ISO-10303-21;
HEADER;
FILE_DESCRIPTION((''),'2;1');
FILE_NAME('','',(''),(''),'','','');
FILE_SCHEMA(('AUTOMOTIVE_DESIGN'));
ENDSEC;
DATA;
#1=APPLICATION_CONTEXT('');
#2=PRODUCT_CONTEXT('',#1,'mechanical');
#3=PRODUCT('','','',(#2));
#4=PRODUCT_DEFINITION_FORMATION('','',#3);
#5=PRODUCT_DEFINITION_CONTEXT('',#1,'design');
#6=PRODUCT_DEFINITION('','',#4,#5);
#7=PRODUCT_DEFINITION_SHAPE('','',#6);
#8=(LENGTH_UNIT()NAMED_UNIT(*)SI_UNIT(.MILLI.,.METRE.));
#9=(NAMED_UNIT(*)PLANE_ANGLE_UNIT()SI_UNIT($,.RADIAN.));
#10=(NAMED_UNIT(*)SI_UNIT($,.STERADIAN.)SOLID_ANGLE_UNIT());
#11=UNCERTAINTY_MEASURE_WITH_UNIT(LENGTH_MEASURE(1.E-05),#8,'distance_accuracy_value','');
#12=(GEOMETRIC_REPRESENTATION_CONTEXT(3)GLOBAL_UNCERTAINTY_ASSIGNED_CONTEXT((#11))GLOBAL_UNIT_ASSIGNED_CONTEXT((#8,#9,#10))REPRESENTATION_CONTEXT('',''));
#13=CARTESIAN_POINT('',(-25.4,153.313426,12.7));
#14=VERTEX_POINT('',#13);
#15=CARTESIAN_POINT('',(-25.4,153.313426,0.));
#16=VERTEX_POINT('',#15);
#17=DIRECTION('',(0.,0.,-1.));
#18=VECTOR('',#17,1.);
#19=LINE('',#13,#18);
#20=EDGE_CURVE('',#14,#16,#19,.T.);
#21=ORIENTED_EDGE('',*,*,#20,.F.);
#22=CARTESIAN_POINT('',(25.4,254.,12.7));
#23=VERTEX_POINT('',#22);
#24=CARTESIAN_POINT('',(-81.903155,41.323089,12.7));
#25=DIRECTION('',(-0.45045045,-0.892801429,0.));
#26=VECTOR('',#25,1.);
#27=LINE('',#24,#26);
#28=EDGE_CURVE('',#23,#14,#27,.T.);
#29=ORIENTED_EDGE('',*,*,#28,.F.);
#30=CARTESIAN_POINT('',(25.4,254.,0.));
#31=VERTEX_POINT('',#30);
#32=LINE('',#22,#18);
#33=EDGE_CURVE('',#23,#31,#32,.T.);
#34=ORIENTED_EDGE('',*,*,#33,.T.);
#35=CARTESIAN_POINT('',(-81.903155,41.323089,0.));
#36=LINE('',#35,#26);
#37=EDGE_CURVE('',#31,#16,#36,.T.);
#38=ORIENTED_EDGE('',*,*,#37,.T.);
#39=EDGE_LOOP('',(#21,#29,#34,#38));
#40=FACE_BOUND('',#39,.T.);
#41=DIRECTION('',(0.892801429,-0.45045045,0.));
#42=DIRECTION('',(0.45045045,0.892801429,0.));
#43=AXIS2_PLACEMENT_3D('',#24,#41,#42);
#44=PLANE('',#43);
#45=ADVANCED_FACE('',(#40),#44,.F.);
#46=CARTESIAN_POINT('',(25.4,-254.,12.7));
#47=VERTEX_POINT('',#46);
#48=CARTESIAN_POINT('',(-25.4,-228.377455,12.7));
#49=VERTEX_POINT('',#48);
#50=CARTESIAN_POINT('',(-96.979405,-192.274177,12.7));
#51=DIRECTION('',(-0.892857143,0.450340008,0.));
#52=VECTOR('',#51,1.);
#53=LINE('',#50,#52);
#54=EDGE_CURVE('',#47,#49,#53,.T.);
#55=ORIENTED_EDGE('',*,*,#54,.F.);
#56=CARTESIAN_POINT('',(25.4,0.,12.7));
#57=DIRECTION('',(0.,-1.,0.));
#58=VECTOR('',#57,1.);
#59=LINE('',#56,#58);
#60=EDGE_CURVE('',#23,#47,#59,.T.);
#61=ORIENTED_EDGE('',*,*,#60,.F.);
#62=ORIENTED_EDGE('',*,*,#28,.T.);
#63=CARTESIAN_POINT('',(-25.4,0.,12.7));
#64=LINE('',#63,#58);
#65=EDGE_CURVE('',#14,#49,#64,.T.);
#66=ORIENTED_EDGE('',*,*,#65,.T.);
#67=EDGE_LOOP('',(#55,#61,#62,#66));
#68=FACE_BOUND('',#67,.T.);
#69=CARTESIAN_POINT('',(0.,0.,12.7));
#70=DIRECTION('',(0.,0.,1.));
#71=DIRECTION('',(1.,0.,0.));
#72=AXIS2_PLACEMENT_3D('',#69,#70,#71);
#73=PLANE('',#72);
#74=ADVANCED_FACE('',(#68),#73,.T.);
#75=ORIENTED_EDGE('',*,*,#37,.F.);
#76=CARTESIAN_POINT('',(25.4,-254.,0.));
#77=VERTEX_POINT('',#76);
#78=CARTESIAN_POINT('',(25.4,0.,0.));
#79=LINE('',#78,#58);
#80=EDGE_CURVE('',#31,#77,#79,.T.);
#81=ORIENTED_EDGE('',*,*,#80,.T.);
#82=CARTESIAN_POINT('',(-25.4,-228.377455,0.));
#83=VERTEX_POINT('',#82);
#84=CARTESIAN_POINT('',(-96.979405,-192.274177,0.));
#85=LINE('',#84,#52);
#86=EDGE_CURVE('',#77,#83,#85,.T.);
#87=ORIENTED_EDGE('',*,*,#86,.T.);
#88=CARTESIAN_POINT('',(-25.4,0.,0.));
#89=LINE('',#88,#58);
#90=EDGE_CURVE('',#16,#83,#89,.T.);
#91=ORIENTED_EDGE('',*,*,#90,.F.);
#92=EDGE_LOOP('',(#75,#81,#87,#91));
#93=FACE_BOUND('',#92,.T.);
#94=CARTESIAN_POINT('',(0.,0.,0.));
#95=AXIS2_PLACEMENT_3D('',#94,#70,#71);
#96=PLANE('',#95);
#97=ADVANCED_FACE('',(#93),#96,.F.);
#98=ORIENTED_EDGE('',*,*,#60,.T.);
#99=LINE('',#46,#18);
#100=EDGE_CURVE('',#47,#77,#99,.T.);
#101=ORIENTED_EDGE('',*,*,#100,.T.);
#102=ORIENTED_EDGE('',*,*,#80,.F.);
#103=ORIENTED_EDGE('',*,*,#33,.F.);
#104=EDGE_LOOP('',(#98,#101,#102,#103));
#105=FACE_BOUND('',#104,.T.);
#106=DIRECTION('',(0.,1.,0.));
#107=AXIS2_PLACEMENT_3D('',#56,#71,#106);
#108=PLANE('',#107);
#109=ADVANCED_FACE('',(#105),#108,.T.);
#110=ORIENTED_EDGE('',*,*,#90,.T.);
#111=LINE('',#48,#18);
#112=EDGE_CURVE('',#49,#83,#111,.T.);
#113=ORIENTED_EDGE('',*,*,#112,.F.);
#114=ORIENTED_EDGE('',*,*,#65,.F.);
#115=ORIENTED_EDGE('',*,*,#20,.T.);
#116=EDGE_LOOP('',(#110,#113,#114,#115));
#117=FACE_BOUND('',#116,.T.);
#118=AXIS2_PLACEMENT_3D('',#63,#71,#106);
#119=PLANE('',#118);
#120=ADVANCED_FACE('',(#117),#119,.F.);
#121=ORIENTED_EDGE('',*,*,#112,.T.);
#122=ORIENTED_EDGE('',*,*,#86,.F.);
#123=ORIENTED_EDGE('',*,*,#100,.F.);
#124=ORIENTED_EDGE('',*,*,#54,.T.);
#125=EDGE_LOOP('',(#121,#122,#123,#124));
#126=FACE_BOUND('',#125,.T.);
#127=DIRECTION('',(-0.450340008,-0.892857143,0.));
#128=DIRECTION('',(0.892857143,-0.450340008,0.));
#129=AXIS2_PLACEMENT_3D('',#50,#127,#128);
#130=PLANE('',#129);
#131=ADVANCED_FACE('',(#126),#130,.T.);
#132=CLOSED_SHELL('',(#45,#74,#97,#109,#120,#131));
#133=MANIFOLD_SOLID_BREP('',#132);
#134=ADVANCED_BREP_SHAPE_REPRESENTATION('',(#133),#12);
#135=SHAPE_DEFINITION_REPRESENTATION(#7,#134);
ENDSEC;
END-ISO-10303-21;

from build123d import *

# Parameters (mm, degrees)
BOSS_EXTRUDE1_DEPTH = 12.7


with BuildPart() as part:
    # Sketch1 → Boss-Extrude1 (new body)
    with BuildSketch(Plane.XY):
        Polygon((25.4, -254), (25.4, 254), (-25.4, 153.313426039), (-25.4, -228.377454927), align=None)
    extrude(amount=BOSS_EXTRUDE1_DEPTH)


solid = part.part
